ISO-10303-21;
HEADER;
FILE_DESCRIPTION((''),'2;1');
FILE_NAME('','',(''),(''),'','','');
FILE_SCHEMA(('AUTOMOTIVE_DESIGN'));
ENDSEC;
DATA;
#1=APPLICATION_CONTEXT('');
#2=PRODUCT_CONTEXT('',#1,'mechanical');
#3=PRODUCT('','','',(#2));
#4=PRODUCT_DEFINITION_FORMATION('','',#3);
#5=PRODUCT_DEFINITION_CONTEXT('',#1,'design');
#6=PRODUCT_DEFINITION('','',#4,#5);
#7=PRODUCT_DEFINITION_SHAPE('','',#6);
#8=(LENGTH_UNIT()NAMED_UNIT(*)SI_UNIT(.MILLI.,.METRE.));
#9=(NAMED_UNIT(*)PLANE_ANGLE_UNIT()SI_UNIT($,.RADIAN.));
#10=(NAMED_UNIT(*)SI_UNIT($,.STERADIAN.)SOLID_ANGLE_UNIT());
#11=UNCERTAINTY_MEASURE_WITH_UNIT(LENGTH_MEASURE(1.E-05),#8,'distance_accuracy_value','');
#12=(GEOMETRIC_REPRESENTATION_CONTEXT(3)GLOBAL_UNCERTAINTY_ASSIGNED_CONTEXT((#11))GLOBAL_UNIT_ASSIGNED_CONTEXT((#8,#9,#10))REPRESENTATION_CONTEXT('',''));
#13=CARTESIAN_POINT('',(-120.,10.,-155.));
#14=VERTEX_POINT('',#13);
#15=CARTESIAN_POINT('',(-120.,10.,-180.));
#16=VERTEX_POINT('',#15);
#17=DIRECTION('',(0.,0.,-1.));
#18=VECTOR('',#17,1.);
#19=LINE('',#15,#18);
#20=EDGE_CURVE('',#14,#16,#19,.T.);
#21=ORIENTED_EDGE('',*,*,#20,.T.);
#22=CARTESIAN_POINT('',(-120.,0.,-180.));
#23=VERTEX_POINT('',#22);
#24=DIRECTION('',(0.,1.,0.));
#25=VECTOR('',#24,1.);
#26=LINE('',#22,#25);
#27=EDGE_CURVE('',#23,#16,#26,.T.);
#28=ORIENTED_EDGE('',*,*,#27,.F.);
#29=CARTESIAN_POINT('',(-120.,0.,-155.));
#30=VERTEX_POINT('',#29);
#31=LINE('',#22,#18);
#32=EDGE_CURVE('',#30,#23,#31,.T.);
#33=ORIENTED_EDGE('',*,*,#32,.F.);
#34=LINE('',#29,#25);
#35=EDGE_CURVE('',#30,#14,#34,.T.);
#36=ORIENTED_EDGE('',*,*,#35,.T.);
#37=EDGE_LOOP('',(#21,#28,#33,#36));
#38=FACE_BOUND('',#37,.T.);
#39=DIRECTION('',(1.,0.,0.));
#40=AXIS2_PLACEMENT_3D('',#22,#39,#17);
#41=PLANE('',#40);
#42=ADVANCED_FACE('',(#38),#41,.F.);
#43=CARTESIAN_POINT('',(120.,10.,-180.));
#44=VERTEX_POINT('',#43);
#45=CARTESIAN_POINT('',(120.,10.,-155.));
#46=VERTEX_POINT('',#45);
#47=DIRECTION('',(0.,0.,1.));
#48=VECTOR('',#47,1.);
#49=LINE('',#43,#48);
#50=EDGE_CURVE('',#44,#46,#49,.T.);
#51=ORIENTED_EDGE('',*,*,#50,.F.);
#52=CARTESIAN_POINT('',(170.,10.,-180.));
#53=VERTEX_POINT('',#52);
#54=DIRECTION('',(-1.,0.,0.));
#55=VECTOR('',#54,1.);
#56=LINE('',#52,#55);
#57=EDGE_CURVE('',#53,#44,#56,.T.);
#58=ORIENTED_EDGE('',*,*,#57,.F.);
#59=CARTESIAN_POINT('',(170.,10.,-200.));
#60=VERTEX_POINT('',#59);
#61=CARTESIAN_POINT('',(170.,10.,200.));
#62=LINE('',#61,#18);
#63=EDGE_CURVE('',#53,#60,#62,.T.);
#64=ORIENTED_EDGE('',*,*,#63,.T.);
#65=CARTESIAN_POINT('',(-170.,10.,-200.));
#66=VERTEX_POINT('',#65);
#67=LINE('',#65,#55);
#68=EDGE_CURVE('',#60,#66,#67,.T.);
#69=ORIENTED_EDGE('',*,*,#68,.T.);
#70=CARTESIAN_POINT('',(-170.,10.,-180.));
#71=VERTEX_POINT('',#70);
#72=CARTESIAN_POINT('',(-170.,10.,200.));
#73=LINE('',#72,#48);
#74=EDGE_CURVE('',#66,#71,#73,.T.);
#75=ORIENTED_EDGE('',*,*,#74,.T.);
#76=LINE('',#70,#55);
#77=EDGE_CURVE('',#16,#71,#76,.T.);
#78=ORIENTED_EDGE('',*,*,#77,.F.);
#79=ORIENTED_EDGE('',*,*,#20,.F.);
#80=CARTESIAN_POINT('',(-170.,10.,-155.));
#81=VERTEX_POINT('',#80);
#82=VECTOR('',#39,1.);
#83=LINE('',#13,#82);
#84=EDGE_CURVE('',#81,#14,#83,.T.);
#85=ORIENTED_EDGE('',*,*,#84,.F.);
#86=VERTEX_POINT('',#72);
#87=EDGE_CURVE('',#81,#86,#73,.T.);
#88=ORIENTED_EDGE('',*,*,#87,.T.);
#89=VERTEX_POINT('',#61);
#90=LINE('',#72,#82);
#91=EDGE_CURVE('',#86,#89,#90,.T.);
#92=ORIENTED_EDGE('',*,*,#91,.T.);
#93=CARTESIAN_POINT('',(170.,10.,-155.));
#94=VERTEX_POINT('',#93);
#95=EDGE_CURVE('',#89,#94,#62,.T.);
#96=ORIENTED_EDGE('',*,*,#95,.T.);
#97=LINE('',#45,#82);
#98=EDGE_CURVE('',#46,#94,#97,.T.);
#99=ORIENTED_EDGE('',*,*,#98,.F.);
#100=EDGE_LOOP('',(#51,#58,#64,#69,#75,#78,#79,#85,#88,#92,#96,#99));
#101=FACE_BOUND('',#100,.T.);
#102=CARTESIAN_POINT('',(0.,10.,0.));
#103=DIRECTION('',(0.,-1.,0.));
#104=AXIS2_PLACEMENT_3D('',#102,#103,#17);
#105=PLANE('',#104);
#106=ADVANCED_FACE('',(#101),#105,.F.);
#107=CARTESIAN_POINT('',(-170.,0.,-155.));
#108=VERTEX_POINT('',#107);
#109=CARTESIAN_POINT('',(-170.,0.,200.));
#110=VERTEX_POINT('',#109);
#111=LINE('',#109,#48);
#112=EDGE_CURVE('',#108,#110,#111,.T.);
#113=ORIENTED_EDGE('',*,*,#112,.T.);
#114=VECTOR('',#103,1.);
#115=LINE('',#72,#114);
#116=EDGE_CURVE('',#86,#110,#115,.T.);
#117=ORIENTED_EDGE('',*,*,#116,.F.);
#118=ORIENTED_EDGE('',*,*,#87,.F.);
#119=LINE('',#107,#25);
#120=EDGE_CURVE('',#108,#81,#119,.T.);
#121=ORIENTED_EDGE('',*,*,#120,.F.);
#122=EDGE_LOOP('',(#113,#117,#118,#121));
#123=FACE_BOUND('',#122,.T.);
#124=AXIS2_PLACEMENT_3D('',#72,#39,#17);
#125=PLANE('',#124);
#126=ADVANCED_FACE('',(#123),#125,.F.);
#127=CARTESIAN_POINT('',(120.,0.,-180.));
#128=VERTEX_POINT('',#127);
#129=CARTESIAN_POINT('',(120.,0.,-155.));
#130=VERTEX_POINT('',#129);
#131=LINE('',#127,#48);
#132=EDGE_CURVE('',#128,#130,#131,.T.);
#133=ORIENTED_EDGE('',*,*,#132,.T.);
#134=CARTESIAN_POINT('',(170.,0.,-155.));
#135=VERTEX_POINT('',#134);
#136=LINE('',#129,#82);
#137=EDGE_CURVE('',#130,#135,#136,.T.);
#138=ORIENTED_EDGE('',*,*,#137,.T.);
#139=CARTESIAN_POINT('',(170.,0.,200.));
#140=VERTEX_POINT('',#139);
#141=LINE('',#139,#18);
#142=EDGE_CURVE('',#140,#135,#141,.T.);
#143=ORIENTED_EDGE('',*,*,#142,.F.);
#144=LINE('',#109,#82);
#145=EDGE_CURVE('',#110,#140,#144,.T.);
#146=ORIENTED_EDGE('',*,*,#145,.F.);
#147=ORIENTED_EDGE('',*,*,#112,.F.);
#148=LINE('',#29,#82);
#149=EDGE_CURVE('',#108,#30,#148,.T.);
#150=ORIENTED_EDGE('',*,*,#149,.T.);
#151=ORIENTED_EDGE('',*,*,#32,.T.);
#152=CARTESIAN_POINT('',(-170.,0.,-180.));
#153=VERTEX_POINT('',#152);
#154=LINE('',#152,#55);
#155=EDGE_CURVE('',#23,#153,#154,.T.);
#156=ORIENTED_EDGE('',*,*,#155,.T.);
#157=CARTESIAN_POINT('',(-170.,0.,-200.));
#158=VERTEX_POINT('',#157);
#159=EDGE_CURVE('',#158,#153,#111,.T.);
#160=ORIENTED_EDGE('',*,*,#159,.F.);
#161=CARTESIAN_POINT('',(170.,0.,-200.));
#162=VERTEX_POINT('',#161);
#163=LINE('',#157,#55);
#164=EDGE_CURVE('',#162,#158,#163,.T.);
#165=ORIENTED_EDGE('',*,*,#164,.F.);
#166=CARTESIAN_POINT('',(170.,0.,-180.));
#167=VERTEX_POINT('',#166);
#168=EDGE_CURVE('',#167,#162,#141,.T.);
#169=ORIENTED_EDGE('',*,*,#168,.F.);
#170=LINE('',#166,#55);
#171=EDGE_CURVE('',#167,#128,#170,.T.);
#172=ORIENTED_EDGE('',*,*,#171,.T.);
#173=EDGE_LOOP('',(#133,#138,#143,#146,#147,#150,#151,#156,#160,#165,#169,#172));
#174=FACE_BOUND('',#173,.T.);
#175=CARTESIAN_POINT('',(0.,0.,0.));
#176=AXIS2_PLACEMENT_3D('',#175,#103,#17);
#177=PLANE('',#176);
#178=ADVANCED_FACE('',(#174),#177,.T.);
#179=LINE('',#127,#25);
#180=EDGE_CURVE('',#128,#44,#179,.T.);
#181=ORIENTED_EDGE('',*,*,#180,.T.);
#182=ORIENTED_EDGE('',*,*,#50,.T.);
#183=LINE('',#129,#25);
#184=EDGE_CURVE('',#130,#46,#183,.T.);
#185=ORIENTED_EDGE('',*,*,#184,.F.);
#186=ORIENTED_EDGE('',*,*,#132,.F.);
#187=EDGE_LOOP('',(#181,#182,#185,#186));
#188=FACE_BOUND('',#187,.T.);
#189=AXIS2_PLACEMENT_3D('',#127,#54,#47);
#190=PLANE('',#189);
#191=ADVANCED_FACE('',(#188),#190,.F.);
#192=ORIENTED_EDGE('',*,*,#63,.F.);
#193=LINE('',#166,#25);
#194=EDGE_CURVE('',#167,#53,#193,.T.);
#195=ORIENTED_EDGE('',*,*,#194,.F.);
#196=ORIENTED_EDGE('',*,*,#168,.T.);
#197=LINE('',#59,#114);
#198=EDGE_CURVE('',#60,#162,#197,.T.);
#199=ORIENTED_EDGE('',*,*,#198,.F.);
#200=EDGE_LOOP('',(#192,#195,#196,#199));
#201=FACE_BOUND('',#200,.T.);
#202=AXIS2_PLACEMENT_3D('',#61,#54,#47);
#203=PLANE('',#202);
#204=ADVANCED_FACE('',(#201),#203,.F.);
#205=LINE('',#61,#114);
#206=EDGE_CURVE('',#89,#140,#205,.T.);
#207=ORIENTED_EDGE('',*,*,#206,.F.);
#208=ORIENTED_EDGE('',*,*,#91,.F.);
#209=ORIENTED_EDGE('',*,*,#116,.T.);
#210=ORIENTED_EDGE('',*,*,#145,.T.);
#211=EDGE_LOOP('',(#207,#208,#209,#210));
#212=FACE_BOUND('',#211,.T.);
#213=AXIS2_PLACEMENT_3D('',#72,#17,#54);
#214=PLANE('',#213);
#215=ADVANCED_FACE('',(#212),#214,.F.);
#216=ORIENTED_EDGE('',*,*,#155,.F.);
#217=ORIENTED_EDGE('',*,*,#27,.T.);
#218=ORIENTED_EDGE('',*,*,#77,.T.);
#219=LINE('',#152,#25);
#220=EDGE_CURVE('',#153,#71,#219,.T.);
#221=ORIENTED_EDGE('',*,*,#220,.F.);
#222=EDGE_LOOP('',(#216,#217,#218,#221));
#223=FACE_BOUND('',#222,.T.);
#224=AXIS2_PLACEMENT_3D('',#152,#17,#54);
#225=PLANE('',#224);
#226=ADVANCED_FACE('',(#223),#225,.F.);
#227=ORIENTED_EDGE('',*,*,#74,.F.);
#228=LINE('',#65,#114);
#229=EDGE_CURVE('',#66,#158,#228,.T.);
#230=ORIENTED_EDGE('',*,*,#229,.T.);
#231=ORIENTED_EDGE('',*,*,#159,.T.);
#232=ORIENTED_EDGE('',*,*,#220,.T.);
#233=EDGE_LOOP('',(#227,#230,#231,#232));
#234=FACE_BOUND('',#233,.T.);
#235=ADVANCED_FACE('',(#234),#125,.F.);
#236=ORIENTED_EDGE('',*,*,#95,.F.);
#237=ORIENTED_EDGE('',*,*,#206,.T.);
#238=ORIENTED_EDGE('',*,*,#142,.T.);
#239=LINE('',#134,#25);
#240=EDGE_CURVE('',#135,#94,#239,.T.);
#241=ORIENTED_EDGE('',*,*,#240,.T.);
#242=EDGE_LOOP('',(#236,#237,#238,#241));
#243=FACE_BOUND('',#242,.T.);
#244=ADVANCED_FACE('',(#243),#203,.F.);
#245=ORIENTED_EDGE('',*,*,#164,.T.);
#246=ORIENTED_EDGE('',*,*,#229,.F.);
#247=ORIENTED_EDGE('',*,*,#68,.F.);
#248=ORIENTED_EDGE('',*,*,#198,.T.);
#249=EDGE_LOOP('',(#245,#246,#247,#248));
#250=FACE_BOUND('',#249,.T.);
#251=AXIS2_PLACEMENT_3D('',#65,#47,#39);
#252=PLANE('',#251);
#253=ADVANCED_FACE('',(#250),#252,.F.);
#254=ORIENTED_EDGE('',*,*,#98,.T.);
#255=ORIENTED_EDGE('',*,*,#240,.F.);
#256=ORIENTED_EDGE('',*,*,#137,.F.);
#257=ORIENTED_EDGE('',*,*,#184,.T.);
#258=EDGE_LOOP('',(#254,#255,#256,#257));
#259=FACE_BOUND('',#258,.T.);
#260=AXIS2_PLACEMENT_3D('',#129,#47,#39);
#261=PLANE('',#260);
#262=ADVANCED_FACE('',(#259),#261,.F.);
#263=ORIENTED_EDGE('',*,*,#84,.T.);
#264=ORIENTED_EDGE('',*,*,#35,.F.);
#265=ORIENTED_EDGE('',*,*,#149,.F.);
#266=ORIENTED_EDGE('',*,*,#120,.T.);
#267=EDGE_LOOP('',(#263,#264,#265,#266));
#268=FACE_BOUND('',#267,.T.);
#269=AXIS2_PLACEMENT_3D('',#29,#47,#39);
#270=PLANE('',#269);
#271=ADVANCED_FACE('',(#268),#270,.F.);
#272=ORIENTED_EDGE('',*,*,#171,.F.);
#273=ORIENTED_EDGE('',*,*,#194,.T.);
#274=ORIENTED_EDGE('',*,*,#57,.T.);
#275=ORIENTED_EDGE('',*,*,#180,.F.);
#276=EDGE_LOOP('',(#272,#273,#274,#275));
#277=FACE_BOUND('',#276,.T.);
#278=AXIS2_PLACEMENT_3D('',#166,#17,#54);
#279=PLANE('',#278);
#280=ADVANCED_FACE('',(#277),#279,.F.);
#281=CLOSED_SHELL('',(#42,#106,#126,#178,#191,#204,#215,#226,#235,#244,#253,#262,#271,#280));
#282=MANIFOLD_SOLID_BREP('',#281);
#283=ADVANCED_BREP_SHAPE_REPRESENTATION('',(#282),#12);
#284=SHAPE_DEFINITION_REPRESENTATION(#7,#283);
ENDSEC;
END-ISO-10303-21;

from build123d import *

# Parameters (mm, degrees)
SKETCH2_W           = 340
SKETCH2_H           = 400
BOSS_EXTRUDE1_DEPTH = 10
SKETCH3_W           = 50
SKETCH3_H           = 25
CUT_EXTRUDE1_DEPTH  = 10


with BuildPart() as part:
    # Sketch2 → Boss-Extrude1 (new body)
    with BuildSketch(Plane(origin=(0, 0, 0), x_dir=(1, 0, 0), z_dir=(0, 1, 0))):
        Rectangle(SKETCH2_W, SKETCH2_H)
    extrude(amount=BOSS_EXTRUDE1_DEPTH)

    # Sketch3 → Cut-Extrude1 (cut)
    with BuildSketch(Plane(origin=(0, 10, 0), x_dir=(1, 0, 0), z_dir=(0, 1, 0))):
        with Locations((-145, 167.5)):
            Rectangle(SKETCH3_W, SKETCH3_H)
        with Locations((145, 167.5)):
            Rectangle(SKETCH3_W, SKETCH3_H)
    extrude(amount=-CUT_EXTRUDE1_DEPTH, mode=Mode.SUBTRACT)


solid = part.part
